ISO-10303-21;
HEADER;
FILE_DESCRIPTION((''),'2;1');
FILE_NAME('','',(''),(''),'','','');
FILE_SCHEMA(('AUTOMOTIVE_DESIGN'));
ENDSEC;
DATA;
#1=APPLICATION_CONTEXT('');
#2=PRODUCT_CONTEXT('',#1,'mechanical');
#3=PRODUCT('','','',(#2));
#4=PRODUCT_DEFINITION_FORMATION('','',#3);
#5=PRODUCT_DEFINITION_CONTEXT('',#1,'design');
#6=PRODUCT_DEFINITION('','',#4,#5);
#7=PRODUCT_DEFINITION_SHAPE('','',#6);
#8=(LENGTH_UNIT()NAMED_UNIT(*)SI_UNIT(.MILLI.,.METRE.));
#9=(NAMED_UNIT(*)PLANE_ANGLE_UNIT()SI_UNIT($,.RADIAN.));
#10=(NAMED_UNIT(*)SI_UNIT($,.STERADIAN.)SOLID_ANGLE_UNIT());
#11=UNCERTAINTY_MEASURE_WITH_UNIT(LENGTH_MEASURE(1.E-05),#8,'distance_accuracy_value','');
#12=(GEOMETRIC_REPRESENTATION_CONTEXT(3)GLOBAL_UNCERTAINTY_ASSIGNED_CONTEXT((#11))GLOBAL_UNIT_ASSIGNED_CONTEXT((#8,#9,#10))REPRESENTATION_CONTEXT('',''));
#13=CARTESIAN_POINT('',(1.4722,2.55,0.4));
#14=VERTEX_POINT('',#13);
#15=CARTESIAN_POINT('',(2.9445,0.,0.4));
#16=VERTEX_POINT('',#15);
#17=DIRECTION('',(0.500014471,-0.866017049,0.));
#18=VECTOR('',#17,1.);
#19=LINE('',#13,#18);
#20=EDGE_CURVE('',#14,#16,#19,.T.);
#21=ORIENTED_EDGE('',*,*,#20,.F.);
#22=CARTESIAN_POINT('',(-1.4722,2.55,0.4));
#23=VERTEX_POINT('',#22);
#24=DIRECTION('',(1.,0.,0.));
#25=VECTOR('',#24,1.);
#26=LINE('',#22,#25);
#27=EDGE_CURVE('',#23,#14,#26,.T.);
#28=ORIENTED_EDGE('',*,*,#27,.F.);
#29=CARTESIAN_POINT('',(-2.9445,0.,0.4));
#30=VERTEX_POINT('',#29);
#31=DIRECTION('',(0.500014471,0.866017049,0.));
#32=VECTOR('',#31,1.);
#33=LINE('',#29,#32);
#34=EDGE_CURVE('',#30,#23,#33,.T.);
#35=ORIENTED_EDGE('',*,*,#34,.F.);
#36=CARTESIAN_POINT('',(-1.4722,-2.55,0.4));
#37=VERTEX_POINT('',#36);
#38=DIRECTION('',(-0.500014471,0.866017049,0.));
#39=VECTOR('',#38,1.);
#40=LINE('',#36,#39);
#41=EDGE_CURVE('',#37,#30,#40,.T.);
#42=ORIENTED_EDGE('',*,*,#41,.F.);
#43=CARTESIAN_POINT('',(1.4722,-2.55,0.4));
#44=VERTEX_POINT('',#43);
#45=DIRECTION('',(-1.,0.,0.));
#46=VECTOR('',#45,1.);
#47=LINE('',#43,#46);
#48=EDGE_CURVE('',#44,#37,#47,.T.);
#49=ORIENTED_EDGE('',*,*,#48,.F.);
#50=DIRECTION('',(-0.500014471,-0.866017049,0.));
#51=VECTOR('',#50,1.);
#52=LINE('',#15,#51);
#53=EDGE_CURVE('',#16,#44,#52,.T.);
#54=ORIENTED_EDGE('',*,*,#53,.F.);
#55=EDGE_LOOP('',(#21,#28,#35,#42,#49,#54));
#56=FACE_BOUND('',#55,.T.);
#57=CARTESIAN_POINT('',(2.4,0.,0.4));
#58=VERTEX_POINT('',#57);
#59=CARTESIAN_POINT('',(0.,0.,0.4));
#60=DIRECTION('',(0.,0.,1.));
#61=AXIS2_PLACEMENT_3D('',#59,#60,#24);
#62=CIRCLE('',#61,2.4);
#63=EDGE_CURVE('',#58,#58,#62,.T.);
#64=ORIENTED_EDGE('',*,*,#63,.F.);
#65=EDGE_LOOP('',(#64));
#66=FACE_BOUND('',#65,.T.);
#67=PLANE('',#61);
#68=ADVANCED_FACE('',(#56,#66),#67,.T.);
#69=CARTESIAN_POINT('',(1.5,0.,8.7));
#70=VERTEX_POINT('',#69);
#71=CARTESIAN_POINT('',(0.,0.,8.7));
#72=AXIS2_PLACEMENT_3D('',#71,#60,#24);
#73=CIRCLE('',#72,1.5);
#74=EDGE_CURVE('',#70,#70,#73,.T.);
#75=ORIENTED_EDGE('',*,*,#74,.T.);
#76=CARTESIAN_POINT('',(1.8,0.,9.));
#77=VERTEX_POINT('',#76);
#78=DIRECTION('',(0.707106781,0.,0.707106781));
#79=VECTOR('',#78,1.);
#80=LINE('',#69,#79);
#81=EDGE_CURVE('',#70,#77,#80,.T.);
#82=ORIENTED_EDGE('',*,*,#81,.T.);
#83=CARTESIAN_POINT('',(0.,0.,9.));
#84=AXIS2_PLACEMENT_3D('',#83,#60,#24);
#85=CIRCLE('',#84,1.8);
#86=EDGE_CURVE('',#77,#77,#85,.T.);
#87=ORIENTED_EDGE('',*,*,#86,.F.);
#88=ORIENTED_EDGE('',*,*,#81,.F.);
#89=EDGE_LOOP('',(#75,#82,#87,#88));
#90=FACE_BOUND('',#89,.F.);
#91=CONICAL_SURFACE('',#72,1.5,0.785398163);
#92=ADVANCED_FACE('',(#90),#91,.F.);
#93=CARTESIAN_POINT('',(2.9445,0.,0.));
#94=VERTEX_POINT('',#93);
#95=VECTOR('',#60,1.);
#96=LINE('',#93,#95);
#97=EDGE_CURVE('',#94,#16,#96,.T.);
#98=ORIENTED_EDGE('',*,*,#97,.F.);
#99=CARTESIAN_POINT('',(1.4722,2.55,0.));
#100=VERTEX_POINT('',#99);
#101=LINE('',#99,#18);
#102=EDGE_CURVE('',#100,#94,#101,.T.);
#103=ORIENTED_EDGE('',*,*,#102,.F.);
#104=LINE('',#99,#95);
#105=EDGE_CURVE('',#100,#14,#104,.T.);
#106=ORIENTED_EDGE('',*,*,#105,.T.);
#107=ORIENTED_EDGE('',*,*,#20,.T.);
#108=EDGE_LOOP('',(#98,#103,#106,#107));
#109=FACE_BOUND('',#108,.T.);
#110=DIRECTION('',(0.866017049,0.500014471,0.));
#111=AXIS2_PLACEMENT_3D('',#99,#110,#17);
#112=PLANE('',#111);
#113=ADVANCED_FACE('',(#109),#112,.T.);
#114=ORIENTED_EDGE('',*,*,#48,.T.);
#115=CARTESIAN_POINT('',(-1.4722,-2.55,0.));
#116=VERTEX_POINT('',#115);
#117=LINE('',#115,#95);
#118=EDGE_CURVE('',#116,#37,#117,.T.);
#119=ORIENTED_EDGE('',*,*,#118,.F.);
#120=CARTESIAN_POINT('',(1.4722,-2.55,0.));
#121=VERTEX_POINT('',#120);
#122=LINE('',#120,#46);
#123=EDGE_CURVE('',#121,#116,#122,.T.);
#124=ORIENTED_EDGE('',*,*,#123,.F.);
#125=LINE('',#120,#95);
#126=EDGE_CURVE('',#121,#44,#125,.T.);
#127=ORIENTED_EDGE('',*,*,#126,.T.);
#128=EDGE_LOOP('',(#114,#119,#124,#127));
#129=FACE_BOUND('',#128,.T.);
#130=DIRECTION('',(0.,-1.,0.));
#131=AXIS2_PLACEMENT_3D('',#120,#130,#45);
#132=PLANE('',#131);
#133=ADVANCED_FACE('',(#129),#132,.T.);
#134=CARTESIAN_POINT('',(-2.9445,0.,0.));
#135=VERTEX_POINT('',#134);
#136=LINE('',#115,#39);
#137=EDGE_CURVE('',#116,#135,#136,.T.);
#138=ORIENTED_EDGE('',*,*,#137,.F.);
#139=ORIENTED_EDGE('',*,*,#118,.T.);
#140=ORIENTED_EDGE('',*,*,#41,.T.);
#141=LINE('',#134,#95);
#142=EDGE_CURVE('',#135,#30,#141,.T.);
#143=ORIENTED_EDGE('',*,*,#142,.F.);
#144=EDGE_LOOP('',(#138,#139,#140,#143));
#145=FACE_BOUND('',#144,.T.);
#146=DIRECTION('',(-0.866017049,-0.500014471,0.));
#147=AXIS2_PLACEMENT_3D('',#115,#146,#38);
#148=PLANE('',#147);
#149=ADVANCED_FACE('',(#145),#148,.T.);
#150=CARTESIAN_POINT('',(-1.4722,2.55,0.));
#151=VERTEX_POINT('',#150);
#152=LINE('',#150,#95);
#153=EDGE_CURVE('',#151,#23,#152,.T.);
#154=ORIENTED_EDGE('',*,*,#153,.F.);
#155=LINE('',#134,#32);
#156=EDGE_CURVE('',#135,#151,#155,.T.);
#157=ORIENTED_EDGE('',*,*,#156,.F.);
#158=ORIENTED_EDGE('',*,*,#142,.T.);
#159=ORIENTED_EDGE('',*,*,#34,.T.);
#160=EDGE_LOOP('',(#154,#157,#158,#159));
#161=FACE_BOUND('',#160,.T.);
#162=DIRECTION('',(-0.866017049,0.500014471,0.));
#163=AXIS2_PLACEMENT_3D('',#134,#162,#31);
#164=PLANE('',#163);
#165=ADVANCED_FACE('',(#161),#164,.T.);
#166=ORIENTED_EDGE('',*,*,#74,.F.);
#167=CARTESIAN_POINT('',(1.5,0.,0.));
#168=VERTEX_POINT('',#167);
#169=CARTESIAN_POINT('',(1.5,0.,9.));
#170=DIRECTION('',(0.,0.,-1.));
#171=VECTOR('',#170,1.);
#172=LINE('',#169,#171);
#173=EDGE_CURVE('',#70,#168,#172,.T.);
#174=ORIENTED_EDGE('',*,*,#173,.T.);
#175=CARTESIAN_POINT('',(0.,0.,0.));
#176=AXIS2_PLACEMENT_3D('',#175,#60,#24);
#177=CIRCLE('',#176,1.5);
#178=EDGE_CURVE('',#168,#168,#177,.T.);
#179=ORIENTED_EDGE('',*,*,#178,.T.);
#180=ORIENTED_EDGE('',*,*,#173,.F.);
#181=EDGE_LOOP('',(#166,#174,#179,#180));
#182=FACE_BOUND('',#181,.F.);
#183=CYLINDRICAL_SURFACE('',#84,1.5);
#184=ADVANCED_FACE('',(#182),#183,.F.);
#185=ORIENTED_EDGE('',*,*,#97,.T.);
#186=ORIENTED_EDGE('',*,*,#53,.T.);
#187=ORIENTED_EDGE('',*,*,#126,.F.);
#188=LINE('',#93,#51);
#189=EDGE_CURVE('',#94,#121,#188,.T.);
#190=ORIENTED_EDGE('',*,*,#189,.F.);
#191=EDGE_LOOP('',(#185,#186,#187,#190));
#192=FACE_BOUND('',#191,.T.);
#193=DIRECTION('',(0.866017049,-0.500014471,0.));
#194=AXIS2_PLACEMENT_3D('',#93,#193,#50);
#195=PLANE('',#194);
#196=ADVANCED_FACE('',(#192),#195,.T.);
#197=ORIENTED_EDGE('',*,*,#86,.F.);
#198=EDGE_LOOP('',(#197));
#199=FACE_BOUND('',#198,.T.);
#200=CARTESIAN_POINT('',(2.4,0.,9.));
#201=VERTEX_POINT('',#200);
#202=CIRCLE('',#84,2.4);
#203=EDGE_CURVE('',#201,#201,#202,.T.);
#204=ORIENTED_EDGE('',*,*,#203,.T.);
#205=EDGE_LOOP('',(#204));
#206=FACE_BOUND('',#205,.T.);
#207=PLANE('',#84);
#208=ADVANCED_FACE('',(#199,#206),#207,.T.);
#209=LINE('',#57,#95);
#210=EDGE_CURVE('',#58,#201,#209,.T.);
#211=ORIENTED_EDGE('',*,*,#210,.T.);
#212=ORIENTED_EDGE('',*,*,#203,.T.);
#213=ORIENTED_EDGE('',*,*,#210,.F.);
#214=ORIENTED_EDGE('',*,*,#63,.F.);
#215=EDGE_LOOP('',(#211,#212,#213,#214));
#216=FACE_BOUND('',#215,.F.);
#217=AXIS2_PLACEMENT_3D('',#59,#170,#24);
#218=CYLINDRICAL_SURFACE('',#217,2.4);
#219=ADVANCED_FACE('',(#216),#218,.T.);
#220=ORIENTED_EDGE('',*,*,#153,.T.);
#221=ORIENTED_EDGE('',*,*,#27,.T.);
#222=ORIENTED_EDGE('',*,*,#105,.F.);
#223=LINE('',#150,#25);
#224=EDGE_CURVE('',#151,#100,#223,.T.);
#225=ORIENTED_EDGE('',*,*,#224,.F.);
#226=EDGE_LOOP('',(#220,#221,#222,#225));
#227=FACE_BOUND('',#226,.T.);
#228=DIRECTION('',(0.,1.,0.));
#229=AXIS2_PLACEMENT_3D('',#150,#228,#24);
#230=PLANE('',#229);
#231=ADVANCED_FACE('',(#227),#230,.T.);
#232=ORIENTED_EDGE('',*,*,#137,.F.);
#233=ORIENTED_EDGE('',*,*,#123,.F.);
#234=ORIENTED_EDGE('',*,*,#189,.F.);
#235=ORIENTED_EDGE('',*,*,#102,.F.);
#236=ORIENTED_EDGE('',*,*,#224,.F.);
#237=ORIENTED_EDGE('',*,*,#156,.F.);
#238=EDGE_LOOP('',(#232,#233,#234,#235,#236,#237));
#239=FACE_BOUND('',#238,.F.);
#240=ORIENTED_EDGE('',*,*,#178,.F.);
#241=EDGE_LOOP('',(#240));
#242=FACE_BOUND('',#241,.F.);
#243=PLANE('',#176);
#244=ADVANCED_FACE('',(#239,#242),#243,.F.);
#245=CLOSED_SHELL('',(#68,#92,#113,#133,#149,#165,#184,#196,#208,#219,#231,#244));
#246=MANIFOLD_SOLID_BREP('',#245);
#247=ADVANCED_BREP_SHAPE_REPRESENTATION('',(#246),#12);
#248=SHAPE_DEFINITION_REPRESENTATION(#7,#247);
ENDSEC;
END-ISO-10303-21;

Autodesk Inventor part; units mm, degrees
ref_plane "YZ Plane" through (0, 0, 0) normal (1, 0, 0) x (0, 1, 0)
ref_plane "XZ Plane" through (0, 0, 0) normal (0, 1, 0) x (-1, 0, 0)
ref_plane "XY Plane" through (0, 0, 0) normal (0, 0, 1) x (1, 0, 0)
sketch "Sketch1" plane through (0, 0, 0) normal (0, 0, 1) x (1, 0, 0)
  line L0 (1.4722, 2.55) -> (2.9445, 0)
  line L1 (2.9445, 0) -> (1.4722, -2.55)
  line L2 (1.4722, -2.55) -> (-1.4722, -2.55)
  line L3 (-1.4722, -2.55) -> (-2.9445, 0)
  line L4 (-2.9445, 0) -> (-1.4722, 2.55)
  line L5 (-1.4722, 2.55) -> (1.4722, 2.55)
  point P0 (0, 0)
  dimension "d0" = 5.1
extrude "Extrusion1" add sketch "Sketch1" along normal blind 0.4
sketch "Sketch2" plane through (0, 0, 0.4) normal (0, 0, 1) x (1, 0, 0)
  circle A0 centre (0, 0) radius 2.4
  dimension "d3" = 4.8
extrude "Extrusion2" add sketch "Sketch2" along normal blind 8.6
sketch "Sketch3" plane through (0, 0, 9) normal (0, 0, 1) x (1, 0, 0)
  circle A0 centre (0, 0) radius 2.4 projected
  circle A1 centre (0, 0) radius 1.5
  dimension "d6" = 3
extrude "Extrusion3" cut sketch "Sketch3" against normal blind 10 contours A1
chamfer "Chamfer1" distance 0.3 angle 45 1 edges at (-1.5, 0, 9)
thread "Thread1" size "M3x0.5" class "6H" standard "ANSI Metric M Profile" full length
properties part number "Вытяжная заклепка_Р-Ш-М3-Ум" material "Сталь низкоуглеродистая"
